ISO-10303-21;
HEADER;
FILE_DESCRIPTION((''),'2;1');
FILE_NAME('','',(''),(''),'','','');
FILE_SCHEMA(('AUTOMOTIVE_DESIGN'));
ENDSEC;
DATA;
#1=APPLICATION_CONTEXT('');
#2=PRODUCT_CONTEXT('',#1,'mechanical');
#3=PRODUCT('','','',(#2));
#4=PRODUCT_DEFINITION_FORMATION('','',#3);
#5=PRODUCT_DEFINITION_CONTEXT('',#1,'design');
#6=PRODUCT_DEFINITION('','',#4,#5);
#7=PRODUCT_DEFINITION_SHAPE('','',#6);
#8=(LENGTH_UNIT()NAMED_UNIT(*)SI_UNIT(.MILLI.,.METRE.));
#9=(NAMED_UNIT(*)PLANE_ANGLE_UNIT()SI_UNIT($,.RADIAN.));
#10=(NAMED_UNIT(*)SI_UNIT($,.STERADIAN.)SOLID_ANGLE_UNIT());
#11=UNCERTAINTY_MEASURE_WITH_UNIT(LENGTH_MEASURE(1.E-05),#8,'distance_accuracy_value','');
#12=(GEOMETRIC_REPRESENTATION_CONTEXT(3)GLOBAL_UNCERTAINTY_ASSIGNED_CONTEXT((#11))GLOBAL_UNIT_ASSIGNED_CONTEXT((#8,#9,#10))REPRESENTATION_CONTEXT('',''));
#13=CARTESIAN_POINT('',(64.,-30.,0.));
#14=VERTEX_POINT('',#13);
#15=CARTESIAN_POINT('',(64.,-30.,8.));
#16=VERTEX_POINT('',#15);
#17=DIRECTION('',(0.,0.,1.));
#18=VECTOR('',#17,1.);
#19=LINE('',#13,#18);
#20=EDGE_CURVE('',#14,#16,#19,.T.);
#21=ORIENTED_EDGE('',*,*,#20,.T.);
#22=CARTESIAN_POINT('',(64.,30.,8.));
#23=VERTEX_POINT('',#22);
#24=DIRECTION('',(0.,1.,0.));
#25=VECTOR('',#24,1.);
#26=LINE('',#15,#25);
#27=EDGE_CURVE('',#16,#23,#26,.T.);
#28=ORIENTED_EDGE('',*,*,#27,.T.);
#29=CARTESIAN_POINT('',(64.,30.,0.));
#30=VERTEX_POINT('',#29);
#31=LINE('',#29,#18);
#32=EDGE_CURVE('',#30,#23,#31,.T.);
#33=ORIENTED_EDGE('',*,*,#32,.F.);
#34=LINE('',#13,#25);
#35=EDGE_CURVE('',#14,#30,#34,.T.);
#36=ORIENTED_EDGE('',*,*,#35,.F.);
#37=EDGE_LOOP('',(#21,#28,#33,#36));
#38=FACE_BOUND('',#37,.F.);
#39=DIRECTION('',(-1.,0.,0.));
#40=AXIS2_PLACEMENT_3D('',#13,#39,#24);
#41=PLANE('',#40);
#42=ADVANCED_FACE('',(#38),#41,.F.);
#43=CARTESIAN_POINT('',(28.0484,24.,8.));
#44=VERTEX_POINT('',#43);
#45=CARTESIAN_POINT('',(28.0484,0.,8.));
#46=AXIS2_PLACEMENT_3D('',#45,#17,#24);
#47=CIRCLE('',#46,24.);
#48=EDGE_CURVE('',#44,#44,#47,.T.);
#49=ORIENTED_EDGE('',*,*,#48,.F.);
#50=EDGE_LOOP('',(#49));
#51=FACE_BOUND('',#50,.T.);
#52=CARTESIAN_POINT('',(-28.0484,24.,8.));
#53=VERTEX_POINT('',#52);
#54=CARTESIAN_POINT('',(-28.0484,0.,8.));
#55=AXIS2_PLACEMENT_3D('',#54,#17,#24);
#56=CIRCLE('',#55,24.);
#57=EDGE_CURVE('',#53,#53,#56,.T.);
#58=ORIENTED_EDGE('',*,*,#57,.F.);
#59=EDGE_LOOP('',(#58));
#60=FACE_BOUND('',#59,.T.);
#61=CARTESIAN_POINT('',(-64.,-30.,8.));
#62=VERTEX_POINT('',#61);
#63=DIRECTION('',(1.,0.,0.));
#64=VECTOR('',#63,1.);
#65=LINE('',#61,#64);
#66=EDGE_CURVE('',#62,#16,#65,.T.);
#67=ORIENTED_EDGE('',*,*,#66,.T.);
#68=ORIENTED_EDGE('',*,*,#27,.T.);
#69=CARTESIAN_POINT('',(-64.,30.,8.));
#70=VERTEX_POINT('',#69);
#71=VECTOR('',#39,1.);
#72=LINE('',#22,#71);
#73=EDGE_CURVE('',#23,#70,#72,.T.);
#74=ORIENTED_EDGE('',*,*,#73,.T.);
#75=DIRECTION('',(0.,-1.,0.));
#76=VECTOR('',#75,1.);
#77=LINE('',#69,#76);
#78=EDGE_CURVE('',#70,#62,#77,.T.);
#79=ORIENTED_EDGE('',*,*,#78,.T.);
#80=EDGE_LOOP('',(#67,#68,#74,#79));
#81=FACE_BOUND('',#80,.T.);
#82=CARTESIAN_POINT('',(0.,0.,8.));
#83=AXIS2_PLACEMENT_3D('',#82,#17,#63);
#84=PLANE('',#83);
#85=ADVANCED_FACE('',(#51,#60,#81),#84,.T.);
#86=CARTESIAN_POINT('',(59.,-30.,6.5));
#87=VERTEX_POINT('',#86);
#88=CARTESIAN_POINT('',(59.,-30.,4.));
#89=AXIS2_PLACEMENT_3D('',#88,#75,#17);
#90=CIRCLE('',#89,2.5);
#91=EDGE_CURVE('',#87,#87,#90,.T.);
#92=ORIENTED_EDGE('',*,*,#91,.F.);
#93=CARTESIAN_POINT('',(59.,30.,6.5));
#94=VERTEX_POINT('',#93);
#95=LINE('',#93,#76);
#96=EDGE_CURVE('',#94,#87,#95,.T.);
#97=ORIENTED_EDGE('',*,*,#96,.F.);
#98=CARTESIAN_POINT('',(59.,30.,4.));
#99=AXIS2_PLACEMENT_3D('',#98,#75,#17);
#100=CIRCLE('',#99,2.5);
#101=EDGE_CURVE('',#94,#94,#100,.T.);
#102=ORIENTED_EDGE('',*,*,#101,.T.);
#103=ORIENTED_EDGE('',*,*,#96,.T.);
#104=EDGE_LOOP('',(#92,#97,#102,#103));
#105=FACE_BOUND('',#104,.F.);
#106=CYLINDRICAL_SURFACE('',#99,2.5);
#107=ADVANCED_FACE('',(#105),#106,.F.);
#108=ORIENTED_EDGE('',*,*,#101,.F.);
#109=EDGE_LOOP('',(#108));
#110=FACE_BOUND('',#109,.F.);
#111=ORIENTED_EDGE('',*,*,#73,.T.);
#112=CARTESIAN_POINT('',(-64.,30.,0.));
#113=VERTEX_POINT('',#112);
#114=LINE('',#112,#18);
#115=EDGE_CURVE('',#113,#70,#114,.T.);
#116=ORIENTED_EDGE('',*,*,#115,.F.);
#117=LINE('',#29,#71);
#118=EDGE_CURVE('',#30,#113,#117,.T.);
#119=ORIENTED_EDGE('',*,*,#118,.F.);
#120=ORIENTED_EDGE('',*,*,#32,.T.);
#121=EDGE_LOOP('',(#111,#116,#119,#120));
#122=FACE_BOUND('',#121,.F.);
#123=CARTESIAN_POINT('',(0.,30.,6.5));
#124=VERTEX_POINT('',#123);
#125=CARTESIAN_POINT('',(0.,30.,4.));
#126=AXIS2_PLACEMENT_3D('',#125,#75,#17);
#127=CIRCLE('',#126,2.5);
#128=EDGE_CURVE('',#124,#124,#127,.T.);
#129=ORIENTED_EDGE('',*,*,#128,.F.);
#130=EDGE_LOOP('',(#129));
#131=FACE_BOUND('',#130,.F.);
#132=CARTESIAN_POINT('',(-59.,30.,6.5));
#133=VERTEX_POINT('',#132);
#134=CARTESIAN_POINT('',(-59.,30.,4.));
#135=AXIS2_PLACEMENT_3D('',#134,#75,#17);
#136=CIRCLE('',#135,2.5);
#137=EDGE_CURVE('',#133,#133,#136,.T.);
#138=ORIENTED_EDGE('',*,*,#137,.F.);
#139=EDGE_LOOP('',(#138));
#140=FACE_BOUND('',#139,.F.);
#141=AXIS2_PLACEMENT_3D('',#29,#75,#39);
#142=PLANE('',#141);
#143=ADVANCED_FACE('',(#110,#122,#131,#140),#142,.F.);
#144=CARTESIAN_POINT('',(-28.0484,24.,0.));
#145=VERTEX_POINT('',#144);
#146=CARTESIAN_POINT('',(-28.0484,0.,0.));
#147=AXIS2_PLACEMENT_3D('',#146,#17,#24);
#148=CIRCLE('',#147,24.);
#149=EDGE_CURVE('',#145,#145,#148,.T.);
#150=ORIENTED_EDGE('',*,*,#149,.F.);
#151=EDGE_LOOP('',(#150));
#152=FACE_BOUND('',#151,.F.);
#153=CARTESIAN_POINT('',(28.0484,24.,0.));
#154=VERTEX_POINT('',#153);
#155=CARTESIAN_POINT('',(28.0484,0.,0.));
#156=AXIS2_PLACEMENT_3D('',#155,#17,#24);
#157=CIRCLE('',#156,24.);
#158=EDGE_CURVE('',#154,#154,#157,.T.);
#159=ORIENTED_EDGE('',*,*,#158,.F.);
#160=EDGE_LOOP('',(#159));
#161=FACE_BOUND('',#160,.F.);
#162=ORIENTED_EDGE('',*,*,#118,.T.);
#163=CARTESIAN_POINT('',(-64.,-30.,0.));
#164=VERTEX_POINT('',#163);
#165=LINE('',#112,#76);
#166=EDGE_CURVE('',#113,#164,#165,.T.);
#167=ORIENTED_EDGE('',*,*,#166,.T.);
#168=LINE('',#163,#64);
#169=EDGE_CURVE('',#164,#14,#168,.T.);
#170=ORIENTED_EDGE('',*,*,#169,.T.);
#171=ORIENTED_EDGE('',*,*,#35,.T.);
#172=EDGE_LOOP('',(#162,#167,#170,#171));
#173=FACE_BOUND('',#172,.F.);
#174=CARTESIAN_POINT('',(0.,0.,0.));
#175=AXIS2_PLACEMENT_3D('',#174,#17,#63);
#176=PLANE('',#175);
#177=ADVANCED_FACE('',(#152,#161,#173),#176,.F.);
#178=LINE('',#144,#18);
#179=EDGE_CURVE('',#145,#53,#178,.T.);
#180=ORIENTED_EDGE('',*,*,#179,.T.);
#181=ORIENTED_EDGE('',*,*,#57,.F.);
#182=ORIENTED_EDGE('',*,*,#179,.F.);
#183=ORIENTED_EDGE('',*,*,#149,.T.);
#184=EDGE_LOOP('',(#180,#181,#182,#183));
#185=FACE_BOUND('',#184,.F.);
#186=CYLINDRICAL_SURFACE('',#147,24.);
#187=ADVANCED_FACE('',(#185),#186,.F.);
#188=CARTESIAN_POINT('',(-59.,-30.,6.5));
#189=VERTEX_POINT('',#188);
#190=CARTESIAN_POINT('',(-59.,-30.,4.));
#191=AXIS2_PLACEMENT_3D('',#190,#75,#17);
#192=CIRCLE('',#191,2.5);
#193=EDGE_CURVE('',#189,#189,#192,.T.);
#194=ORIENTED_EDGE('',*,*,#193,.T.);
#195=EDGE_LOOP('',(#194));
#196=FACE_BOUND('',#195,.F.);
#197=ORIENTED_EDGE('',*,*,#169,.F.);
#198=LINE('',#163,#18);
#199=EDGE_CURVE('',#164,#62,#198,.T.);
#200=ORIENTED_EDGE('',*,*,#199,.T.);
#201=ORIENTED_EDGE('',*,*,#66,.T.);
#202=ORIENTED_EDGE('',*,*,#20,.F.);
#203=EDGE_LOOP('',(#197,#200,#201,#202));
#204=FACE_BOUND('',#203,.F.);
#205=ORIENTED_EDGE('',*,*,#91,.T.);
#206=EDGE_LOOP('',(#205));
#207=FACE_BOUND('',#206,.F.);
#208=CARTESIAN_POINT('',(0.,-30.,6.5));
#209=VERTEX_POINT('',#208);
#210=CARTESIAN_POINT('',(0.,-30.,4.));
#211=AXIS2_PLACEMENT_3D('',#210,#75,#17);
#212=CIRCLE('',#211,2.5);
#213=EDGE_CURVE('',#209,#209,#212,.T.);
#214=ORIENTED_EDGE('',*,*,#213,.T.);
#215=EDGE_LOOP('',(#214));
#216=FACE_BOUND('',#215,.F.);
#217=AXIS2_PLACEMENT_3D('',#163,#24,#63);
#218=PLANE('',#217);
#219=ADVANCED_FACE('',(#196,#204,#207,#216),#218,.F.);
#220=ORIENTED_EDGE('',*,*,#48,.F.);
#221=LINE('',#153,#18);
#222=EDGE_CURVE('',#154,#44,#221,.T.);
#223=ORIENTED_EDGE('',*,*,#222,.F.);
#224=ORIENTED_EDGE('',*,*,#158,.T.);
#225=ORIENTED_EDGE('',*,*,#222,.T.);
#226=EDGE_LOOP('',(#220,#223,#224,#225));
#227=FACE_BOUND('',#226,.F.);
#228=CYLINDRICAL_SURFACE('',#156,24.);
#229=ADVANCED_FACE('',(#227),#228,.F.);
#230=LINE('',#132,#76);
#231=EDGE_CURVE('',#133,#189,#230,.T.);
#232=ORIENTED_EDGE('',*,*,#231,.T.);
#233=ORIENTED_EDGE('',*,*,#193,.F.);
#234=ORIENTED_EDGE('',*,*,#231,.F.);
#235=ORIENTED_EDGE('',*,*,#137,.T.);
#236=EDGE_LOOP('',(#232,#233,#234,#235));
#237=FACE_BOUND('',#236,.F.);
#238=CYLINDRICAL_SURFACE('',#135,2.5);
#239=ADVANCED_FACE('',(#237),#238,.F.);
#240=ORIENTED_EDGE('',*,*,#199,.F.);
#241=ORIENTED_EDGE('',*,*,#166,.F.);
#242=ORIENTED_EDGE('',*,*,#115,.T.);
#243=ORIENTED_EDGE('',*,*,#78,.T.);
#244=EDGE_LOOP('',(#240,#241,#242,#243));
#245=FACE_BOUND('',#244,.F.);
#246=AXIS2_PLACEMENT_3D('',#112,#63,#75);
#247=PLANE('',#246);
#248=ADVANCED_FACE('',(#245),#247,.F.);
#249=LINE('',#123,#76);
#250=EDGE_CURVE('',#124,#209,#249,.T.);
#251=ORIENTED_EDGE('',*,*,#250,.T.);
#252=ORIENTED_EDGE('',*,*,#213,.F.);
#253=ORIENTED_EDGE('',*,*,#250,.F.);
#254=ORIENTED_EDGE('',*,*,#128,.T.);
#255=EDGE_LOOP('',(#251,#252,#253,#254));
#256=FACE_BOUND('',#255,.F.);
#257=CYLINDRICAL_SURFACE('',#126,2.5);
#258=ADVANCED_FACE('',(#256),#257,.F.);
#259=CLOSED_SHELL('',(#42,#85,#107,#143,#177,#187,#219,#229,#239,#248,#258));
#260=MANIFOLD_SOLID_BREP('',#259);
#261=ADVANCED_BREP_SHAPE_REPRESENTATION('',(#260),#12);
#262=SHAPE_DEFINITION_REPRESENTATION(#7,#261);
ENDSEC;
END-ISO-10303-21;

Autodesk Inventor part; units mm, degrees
ref_plane "YZ Plane" through (0, 0, 0) normal (1, 0, 0) x (0, 1, 0)
ref_plane "XZ Plane" through (0, 0, 0) normal (0, 1, 0) x (-1, 0, 0)
ref_plane "XY Plane" through (0, 0, 0) normal (0, 0, 1) x (1, 0, 0)
sketch "Sketch1" plane through (0, 0, 0) normal (0, 0, 1) x (1, 0, 0)
  line L0 (-64, -30) -> (64, -30)
  line L1 (64, -30) -> (64, 30)
  line L2 (64, 30) -> (-64, 30)
  line L3 (-64, 30) -> (-64, -30)
  line L4 (-64, -30) -> (64, 30) construction
  line L5 (64, -30) -> (-64, 30) construction
  point P0 (0, 0)
  dimension "d0" = 128
  dimension "d1" = 60
extrude "Extrusion1" add sketch "Sketch1" along normal blind 8
sketch "Sketch2" plane through (-64, 30, 0) normal (0, 1, 0) x (1, 0, 0)
  line L0 (128, 0) -> (0, 0) projected
  line L1 (0, 0) -> (0, -8) projected
  line L2 (128, -8) -> (0, -8) projected
  line L3 (128, 0) -> (128, -8) projected
  point P0 (64, 0)
  point P1 (5, -4)
  point P2 (123, -4)
  point P3 (64, -4)
  dimension "d4" = 5
  dimension "d5" = 5
hole "Hole1" at (-59, 30, 4) at (59, 30, 4) at (0, 30, 4) direction (0, -1, 0) diameter 5 end through all
sketch "Sketch3" plane through (-64, -30, 0) normal (0, -1, 0) x (1, 0, 0)
  point P0 (64, 0)
sketch "Sketch4" plane through (0, 0, 0) normal (0, 0, -1) x (-1, 0, 0)
  line L0 (0, 0) -> (0, 24.6794) construction
  point P0 (-28.0484, 0)
  point P1 (28.0484, 0)
hole "Hole2" at (-28.0484, 0, 0) at (28.0484, 0, 0) direction (0, 0, 1) diameter 48 end through all
equation "\"d5\" = d4"
properties part number "Separator1"
